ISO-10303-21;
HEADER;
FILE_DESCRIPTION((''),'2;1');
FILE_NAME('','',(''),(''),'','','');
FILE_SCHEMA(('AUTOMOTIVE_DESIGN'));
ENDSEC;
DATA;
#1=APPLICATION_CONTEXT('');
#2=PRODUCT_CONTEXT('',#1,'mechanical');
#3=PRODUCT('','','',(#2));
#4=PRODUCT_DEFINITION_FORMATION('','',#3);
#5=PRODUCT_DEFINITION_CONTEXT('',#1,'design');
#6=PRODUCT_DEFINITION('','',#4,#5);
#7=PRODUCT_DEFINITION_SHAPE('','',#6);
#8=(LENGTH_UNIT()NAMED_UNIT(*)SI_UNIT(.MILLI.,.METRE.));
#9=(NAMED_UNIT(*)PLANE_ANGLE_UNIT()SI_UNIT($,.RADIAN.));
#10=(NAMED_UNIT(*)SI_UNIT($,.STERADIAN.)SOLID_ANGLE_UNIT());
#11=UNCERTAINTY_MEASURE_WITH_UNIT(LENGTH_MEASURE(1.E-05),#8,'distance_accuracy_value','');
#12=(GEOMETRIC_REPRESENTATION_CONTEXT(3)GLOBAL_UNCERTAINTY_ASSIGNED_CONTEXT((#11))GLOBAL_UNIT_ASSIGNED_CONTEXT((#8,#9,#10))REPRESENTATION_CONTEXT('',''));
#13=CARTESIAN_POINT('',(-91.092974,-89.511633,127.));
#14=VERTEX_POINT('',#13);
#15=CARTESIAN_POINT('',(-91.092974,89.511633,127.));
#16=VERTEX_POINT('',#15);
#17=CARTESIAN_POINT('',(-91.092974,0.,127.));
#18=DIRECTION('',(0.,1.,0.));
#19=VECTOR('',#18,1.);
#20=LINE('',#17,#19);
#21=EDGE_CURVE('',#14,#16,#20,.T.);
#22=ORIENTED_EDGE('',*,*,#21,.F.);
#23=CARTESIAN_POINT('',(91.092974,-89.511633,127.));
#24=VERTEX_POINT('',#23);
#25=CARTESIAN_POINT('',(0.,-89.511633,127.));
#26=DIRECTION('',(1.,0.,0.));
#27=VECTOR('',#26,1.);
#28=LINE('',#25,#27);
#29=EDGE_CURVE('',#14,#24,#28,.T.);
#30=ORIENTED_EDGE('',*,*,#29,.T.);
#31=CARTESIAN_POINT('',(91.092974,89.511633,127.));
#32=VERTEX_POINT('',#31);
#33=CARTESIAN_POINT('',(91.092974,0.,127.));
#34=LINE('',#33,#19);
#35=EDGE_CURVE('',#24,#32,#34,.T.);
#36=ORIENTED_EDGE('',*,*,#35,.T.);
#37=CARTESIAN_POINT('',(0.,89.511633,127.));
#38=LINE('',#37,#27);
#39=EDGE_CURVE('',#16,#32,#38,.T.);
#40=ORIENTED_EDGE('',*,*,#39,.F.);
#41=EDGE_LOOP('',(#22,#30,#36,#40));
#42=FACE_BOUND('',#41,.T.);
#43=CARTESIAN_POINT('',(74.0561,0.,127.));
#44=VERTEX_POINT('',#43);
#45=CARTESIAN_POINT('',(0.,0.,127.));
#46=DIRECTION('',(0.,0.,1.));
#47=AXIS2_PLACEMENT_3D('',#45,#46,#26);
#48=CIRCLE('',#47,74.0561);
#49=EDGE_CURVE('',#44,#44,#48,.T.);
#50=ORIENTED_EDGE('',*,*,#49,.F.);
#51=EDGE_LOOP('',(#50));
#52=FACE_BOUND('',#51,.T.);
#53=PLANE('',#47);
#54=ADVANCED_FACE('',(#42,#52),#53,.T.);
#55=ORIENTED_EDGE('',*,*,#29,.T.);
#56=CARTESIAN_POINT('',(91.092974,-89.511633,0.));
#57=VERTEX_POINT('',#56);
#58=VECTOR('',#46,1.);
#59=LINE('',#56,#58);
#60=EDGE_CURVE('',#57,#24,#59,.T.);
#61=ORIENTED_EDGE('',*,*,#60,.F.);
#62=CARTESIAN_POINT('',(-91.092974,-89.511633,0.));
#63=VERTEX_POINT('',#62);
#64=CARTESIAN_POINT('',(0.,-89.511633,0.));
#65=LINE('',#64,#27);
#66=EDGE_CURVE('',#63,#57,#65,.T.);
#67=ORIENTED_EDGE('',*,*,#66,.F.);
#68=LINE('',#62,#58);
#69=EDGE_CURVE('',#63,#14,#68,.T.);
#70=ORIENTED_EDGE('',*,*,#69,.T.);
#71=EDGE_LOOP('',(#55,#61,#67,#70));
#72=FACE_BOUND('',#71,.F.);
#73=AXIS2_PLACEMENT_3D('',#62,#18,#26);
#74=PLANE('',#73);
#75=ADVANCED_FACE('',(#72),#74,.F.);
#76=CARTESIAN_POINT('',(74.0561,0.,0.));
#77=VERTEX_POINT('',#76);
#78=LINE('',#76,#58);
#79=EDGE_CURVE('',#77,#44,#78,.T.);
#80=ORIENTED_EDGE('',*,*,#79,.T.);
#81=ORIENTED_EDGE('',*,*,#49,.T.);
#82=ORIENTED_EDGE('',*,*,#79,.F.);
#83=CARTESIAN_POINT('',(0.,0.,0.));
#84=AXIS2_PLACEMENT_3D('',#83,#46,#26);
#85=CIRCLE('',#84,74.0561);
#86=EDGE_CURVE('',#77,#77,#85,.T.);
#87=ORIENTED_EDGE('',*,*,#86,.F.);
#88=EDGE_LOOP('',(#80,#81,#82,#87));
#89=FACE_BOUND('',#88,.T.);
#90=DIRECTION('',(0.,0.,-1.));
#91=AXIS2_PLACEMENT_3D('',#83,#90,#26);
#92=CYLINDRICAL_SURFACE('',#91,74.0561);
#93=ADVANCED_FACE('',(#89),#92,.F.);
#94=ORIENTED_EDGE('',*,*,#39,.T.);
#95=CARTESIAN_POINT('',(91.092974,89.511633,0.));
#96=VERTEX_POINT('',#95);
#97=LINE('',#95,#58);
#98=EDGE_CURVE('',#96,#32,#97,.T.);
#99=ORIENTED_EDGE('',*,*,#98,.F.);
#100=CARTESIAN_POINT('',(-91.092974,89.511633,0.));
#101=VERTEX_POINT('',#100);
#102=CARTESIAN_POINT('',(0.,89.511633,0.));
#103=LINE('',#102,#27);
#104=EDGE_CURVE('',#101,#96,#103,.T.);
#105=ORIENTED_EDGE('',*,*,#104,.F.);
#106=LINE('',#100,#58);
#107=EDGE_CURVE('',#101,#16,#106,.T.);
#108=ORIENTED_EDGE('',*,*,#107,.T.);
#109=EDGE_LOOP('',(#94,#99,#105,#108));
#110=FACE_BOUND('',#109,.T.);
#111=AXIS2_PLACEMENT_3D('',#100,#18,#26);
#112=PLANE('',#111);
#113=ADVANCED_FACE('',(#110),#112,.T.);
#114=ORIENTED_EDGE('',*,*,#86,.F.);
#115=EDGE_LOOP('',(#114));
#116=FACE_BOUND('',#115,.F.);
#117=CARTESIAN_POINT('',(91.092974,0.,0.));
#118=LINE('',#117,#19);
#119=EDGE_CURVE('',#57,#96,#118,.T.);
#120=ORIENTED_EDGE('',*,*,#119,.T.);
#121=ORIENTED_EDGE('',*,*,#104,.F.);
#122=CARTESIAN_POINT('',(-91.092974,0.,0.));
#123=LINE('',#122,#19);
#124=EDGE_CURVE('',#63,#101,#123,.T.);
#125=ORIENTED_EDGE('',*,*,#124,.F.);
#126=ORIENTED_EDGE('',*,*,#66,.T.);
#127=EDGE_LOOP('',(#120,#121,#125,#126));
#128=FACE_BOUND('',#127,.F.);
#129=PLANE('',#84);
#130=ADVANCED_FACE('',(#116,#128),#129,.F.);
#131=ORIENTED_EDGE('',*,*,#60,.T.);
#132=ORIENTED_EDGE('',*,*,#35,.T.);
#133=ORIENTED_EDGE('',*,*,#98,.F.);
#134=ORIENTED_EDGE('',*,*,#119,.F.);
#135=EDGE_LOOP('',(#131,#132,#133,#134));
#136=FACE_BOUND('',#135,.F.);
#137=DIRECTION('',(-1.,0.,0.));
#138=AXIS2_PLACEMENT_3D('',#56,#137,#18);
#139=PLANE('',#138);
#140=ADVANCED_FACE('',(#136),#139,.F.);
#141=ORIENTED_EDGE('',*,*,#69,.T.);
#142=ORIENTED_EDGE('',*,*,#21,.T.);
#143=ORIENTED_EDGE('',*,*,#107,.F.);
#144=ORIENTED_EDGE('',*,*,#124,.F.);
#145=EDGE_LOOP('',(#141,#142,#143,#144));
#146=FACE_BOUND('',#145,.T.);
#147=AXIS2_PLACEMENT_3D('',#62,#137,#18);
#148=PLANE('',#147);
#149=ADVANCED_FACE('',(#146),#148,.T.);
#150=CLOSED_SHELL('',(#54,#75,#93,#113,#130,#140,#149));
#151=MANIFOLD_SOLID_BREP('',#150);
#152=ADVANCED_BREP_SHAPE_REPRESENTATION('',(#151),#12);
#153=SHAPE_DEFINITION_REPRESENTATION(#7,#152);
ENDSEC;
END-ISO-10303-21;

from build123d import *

# Parameters (mm, degrees)
F2_W     = 182.185948
F2_H     = 179.023266
F2_R     = 74.0561
F3_DEPTH = 127


with BuildPart() as f3:
    # F2 (on face) → F3 (new body)
    with BuildSketch(Plane.XY):
        Rectangle(F2_W, F2_H)
        Circle(F2_R, mode=Mode.SUBTRACT)
    extrude(amount=F3_DEPTH)


solid = f3.part
